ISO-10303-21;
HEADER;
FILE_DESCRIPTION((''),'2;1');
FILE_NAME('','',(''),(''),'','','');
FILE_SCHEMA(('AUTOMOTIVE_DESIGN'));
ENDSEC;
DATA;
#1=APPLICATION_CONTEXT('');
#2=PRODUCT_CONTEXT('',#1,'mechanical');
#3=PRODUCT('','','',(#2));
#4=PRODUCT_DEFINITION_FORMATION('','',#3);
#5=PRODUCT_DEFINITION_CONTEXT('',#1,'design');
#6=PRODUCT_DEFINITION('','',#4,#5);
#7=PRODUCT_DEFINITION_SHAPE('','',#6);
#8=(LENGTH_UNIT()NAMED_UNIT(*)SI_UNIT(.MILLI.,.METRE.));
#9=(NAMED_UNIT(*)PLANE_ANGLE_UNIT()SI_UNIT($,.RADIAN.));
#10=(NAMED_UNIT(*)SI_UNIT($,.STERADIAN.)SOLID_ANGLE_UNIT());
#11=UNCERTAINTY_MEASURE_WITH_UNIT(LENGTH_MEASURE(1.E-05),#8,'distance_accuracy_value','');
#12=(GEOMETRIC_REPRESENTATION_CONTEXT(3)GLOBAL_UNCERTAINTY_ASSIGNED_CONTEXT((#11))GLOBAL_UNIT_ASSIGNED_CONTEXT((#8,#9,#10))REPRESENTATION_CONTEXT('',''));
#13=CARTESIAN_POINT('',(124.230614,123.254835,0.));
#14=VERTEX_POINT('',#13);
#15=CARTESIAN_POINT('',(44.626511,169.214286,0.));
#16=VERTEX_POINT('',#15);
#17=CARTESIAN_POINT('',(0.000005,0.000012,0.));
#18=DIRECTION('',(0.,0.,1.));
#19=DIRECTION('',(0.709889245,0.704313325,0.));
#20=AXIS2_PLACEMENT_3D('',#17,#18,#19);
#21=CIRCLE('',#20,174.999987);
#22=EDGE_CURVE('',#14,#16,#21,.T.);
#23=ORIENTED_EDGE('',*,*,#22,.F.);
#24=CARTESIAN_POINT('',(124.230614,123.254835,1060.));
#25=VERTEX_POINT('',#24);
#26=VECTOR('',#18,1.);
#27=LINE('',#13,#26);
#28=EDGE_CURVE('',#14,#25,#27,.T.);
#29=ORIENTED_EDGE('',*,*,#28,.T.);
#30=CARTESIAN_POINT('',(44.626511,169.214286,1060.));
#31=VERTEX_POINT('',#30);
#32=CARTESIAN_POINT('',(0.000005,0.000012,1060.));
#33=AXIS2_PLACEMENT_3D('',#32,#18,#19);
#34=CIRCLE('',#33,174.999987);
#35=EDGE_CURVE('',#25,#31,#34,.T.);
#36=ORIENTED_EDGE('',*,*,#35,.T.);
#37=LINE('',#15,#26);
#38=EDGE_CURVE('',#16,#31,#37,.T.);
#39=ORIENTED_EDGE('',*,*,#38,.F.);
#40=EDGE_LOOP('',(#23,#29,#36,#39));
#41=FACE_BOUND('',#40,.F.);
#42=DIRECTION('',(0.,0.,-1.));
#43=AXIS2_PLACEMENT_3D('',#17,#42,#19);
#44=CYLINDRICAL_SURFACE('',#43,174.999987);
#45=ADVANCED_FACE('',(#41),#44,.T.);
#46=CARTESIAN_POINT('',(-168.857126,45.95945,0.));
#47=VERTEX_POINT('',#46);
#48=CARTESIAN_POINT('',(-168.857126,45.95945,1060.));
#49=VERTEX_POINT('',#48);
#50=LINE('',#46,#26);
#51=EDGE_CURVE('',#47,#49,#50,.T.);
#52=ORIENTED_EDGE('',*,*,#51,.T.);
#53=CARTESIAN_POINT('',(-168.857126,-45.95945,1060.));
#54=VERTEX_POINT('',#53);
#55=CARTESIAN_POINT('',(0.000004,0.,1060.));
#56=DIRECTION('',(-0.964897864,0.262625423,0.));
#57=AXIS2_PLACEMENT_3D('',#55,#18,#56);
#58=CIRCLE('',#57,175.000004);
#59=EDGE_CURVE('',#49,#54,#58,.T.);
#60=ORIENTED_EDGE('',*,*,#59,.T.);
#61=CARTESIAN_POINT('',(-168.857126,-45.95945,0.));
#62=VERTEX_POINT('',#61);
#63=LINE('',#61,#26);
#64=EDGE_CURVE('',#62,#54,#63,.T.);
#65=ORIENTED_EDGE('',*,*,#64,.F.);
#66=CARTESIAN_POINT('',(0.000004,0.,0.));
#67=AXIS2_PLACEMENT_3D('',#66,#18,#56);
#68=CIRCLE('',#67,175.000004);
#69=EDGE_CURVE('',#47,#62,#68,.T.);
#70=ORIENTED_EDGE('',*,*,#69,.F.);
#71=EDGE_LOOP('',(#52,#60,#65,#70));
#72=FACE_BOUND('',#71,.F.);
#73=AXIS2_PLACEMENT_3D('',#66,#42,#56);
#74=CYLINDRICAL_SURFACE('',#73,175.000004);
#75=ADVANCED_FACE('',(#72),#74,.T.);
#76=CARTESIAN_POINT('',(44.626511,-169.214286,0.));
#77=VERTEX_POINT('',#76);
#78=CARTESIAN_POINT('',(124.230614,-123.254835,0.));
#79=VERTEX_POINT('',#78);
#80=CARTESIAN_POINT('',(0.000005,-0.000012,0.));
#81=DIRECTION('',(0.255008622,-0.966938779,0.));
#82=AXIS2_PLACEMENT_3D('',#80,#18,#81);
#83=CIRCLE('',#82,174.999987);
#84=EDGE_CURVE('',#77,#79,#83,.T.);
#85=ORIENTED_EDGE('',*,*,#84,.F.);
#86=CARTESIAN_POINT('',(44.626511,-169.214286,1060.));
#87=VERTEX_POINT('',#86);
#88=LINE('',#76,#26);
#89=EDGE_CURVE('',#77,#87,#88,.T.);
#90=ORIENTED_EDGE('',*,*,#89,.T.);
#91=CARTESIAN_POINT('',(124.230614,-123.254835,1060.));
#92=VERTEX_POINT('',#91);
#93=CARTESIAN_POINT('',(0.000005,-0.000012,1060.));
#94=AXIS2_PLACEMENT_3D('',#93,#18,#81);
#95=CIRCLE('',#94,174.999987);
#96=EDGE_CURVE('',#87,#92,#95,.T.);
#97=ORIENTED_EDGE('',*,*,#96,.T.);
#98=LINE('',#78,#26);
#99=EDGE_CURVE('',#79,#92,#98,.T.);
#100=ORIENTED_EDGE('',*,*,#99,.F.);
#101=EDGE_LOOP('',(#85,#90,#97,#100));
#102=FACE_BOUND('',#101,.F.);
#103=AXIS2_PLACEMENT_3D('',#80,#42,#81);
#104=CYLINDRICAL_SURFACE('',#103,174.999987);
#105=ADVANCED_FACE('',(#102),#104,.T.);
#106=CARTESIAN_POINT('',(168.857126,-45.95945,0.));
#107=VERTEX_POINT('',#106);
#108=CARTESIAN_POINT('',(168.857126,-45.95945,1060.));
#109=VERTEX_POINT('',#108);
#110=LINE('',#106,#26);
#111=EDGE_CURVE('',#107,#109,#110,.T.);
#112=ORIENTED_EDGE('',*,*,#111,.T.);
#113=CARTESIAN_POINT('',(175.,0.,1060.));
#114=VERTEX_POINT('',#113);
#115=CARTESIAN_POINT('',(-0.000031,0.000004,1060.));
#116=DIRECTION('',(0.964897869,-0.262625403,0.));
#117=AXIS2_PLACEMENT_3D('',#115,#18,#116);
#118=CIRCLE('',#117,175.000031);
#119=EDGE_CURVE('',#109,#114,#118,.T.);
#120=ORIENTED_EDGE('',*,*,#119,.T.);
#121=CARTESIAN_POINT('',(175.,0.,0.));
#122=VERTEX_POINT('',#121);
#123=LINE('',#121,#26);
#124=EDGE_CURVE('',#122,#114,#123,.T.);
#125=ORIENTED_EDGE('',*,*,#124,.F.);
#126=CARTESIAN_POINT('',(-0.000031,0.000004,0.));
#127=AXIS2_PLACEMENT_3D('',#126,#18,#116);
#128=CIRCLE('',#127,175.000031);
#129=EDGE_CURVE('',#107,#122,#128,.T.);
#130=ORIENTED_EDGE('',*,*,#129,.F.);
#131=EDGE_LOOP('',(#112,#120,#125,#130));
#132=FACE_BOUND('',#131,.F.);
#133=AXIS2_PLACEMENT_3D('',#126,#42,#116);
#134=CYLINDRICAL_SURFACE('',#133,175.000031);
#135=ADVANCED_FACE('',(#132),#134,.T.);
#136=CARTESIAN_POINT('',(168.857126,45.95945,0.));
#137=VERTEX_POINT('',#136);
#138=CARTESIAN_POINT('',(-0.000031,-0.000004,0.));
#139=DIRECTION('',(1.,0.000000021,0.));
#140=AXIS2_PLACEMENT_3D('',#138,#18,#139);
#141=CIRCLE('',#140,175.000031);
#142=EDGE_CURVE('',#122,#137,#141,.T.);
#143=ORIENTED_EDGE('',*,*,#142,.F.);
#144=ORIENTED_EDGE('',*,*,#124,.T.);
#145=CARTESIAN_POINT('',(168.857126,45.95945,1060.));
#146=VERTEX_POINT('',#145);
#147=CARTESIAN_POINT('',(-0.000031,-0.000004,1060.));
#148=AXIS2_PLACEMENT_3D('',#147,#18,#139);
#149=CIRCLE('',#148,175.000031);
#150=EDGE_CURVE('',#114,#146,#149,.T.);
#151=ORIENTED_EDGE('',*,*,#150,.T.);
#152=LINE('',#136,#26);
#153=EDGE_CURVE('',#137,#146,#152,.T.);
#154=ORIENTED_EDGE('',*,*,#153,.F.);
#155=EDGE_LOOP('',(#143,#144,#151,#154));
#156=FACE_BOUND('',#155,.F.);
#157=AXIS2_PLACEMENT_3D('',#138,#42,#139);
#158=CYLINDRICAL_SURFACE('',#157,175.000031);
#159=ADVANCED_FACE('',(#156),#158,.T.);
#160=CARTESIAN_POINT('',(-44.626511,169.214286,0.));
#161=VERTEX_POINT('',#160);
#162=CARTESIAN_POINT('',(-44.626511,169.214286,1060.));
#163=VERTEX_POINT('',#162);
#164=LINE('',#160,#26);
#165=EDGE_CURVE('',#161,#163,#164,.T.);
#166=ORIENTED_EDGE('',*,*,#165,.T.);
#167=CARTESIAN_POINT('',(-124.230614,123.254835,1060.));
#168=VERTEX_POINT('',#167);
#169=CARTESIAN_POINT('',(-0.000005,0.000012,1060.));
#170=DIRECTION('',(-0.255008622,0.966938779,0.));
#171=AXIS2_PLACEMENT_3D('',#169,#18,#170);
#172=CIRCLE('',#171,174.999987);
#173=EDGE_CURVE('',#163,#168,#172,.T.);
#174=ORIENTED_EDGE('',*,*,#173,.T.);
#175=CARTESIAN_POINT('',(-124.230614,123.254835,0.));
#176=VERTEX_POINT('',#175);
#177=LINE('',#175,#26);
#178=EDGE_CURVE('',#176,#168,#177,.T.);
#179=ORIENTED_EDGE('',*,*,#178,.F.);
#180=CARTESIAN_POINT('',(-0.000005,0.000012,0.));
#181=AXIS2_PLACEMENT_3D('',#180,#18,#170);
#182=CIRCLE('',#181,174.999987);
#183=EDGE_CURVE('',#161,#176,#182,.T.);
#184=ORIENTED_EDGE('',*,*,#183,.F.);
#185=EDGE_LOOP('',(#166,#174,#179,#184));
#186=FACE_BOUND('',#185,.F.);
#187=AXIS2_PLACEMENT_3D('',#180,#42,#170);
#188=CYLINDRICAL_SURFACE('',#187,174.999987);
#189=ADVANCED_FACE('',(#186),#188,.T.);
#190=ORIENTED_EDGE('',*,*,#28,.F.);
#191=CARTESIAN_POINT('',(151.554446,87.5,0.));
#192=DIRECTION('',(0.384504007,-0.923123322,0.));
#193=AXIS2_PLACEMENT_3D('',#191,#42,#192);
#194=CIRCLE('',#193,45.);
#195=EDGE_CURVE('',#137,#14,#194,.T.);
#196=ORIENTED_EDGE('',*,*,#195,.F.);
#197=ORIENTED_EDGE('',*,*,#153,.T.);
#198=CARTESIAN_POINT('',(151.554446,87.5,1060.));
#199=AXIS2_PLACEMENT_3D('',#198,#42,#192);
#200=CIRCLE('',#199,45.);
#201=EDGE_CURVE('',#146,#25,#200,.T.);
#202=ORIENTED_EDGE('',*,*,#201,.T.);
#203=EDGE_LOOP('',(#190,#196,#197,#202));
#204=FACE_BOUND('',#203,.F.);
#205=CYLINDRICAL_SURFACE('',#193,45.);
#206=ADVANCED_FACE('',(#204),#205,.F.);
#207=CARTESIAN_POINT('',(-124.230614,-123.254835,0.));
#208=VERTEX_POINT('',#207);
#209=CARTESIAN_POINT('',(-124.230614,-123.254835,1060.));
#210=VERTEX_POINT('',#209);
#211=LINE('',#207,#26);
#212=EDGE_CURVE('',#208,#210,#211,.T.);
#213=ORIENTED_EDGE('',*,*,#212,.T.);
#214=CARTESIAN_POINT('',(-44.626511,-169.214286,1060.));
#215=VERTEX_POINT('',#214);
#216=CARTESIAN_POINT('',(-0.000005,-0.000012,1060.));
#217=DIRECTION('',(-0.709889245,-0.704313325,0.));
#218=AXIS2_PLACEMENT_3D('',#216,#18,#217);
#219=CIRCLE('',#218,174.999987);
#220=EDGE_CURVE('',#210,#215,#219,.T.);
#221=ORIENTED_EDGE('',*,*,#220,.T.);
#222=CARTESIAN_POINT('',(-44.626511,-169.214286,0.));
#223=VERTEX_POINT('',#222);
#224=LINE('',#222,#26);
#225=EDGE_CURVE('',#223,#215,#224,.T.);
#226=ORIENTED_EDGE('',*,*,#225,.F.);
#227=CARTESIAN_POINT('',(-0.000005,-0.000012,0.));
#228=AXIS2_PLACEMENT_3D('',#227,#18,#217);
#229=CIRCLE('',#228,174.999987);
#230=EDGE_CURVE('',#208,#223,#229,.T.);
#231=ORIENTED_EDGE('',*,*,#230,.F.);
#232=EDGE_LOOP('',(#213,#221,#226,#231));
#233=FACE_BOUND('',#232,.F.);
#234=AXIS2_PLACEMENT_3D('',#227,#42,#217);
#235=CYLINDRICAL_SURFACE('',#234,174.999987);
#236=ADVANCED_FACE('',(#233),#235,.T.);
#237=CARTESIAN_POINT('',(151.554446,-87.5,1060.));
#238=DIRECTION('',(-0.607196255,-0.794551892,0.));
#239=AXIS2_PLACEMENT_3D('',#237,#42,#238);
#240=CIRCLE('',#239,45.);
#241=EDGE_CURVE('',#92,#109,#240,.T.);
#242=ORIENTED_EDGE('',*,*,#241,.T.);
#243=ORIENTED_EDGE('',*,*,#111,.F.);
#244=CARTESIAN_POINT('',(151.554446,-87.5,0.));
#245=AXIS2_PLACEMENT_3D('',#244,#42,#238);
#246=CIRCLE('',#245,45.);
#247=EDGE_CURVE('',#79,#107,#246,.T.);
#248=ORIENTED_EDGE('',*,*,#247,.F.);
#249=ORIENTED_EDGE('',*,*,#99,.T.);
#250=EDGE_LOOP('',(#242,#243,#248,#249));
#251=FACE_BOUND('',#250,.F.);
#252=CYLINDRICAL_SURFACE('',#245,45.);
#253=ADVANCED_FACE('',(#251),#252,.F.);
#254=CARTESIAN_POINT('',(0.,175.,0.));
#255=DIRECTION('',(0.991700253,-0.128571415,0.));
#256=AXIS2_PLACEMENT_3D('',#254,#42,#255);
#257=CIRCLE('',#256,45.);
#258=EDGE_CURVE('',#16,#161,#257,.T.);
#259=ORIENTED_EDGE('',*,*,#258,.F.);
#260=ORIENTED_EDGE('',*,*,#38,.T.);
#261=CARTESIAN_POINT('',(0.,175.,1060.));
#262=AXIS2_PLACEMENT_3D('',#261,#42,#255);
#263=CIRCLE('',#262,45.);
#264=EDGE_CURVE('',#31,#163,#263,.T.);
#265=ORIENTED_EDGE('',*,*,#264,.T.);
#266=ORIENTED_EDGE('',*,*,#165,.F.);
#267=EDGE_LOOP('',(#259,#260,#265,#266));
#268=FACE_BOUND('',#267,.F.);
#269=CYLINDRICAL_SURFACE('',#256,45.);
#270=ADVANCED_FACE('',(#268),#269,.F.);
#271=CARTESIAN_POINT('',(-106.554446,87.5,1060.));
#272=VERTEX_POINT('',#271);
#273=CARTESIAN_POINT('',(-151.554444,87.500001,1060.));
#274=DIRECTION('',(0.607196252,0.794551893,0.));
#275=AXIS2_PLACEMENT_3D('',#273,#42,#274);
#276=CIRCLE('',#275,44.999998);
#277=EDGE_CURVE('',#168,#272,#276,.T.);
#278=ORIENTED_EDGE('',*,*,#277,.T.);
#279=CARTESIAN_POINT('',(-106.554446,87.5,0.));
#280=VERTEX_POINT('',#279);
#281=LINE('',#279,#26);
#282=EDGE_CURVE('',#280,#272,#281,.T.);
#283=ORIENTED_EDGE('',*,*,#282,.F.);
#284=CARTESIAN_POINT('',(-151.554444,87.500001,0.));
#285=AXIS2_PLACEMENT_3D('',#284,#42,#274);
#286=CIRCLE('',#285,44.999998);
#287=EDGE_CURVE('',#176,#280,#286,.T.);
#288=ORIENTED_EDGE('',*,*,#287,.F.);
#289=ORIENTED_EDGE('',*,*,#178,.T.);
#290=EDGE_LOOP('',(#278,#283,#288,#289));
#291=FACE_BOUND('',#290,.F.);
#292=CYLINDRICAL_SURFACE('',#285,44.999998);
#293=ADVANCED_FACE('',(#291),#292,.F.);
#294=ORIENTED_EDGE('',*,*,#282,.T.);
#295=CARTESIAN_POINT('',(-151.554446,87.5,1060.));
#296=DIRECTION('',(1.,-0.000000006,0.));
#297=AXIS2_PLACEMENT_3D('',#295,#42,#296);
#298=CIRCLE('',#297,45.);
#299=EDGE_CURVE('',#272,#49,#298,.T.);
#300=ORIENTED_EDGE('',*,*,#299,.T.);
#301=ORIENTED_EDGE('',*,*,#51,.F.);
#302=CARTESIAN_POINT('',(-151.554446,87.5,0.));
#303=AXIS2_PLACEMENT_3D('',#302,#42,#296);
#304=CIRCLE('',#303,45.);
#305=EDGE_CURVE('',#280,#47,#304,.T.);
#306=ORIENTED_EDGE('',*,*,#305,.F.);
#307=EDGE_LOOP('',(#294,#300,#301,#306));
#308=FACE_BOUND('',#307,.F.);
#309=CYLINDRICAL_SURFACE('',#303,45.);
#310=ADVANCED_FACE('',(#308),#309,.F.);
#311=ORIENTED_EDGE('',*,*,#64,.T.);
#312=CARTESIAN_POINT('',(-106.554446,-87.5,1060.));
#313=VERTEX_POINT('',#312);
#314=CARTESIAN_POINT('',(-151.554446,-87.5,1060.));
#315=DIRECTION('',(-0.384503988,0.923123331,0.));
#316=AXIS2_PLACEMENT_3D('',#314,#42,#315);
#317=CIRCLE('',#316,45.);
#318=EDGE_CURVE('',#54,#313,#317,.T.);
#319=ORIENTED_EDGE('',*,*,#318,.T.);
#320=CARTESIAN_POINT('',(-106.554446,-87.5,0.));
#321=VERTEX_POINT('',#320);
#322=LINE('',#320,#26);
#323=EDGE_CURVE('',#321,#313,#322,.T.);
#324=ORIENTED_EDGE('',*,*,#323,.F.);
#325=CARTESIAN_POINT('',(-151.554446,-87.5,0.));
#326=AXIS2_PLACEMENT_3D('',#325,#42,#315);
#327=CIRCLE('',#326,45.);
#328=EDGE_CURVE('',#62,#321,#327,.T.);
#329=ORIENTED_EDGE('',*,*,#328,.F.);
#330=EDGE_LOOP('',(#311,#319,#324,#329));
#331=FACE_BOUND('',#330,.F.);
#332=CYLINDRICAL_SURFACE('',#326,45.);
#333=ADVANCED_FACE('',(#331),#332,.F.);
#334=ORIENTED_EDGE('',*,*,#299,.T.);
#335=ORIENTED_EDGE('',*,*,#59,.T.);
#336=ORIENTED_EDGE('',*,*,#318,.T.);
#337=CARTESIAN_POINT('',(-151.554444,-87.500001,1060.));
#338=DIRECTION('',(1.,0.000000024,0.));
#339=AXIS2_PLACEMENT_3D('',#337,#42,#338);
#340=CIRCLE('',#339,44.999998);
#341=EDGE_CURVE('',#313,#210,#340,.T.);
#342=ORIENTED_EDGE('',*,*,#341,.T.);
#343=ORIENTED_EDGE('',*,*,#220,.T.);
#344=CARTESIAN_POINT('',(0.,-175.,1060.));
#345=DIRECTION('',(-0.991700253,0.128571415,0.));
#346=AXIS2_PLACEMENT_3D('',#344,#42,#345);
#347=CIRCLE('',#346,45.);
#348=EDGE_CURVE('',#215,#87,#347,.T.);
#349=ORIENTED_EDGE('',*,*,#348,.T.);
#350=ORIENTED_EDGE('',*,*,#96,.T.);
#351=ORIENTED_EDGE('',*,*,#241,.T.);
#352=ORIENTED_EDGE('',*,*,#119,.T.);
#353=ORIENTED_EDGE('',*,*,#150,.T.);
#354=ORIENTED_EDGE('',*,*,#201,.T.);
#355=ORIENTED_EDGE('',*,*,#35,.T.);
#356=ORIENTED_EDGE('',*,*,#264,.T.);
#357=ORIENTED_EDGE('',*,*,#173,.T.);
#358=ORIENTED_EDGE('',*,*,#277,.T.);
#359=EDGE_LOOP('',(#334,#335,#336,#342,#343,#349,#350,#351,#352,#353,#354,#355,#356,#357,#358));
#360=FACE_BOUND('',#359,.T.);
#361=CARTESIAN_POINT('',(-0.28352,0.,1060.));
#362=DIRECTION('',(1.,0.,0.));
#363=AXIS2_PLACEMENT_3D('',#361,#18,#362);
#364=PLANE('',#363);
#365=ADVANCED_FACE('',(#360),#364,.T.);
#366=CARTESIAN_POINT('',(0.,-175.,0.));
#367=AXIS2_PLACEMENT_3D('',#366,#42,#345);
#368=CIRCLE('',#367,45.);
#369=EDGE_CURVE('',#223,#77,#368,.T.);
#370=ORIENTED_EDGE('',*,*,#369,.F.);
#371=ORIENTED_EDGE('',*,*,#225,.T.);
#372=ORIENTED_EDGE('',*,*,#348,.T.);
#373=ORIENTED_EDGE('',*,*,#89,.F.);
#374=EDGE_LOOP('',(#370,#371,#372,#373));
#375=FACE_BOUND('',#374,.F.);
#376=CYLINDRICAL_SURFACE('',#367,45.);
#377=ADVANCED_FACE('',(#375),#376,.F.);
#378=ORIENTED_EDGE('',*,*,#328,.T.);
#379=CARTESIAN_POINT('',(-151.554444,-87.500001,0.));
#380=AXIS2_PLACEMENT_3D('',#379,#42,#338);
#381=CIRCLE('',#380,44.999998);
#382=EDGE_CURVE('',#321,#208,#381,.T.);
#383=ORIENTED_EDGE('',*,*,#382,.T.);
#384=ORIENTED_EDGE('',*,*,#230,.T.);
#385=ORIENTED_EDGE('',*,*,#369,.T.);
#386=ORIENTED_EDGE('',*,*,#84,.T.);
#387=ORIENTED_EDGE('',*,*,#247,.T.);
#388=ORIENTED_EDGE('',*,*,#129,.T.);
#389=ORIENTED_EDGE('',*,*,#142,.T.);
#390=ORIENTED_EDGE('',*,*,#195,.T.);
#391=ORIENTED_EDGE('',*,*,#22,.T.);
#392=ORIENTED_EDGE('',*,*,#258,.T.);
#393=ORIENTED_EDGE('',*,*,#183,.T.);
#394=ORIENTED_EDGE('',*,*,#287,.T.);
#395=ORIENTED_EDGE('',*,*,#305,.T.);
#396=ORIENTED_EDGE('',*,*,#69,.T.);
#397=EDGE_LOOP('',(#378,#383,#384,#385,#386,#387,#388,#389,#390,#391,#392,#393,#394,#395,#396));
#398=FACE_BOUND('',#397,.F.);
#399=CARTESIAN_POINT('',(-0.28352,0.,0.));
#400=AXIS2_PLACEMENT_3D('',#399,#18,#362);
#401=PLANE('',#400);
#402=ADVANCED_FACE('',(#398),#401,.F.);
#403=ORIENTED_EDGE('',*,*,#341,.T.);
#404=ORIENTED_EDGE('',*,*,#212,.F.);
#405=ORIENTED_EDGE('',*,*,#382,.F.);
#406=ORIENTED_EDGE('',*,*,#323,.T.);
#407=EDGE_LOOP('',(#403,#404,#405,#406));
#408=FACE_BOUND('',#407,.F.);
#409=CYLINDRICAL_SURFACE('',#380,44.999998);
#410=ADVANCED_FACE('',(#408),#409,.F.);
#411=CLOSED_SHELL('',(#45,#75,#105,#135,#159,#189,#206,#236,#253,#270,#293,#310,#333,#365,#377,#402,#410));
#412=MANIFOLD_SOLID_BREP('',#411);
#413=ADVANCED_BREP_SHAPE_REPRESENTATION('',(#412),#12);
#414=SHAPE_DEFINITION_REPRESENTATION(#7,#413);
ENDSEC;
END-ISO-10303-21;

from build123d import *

# Parameters (mm, degrees)
F1_DEPTH = 1060


with BuildPart() as f1:
    # F0 (on Top) → F1 (new body)
    with BuildSketch(Plane.XY):
        with BuildLine():
            ThreePointArc((168.857126, -45.95945), (173.457483, -23.184079), (175, 0))
            ThreePointArc((175, 0), (173.457483, 23.184079), (168.857126, 45.95945))
            ThreePointArc((168.857126, 45.95945), (112.583302, 65), (124.230614, 123.254835))
            ThreePointArc((124.230614, 123.254835), (87.5, 151.554446), (44.626511, 169.214286))
            ThreePointArc((44.626511, 169.214286), (0, 130), (-44.626511, 169.214286))
            ThreePointArc((-44.626511, 169.214286), (-87.5, 151.554446), (-124.230614, 123.254835))
            ThreePointArc((-124.230614, 123.254835), (-111.21481, 107.442763), (-106.554446, 87.5))
            ThreePointArc((-106.554446, 87.5), (-126.590678, 50.059243), (-168.857126, 45.95945))
            ThreePointArc((-168.857126, 45.95945), (-175, 0), (-168.857126, -45.95945))
            ThreePointArc((-168.857126, -45.95945), (-126.590678, -50.059243), (-106.554446, -87.5))
            ThreePointArc((-106.554446, -87.5), (-111.21481, -107.442763), (-124.230614, -123.254835))
            ThreePointArc((-124.230614, -123.254835), (-87.5, -151.554446), (-44.626511, -169.214286))
            ThreePointArc((-44.626511, -169.214286), (0, -130), (44.626511, -169.214286))
            ThreePointArc((44.626511, -169.214286), (87.5, -151.554446), (124.230614, -123.254835))
            ThreePointArc((124.230614, -123.254835), (112.583302, -65), (168.857126, -45.95945))
        make_face()
    extrude(amount=F1_DEPTH)


solid = f1.part
